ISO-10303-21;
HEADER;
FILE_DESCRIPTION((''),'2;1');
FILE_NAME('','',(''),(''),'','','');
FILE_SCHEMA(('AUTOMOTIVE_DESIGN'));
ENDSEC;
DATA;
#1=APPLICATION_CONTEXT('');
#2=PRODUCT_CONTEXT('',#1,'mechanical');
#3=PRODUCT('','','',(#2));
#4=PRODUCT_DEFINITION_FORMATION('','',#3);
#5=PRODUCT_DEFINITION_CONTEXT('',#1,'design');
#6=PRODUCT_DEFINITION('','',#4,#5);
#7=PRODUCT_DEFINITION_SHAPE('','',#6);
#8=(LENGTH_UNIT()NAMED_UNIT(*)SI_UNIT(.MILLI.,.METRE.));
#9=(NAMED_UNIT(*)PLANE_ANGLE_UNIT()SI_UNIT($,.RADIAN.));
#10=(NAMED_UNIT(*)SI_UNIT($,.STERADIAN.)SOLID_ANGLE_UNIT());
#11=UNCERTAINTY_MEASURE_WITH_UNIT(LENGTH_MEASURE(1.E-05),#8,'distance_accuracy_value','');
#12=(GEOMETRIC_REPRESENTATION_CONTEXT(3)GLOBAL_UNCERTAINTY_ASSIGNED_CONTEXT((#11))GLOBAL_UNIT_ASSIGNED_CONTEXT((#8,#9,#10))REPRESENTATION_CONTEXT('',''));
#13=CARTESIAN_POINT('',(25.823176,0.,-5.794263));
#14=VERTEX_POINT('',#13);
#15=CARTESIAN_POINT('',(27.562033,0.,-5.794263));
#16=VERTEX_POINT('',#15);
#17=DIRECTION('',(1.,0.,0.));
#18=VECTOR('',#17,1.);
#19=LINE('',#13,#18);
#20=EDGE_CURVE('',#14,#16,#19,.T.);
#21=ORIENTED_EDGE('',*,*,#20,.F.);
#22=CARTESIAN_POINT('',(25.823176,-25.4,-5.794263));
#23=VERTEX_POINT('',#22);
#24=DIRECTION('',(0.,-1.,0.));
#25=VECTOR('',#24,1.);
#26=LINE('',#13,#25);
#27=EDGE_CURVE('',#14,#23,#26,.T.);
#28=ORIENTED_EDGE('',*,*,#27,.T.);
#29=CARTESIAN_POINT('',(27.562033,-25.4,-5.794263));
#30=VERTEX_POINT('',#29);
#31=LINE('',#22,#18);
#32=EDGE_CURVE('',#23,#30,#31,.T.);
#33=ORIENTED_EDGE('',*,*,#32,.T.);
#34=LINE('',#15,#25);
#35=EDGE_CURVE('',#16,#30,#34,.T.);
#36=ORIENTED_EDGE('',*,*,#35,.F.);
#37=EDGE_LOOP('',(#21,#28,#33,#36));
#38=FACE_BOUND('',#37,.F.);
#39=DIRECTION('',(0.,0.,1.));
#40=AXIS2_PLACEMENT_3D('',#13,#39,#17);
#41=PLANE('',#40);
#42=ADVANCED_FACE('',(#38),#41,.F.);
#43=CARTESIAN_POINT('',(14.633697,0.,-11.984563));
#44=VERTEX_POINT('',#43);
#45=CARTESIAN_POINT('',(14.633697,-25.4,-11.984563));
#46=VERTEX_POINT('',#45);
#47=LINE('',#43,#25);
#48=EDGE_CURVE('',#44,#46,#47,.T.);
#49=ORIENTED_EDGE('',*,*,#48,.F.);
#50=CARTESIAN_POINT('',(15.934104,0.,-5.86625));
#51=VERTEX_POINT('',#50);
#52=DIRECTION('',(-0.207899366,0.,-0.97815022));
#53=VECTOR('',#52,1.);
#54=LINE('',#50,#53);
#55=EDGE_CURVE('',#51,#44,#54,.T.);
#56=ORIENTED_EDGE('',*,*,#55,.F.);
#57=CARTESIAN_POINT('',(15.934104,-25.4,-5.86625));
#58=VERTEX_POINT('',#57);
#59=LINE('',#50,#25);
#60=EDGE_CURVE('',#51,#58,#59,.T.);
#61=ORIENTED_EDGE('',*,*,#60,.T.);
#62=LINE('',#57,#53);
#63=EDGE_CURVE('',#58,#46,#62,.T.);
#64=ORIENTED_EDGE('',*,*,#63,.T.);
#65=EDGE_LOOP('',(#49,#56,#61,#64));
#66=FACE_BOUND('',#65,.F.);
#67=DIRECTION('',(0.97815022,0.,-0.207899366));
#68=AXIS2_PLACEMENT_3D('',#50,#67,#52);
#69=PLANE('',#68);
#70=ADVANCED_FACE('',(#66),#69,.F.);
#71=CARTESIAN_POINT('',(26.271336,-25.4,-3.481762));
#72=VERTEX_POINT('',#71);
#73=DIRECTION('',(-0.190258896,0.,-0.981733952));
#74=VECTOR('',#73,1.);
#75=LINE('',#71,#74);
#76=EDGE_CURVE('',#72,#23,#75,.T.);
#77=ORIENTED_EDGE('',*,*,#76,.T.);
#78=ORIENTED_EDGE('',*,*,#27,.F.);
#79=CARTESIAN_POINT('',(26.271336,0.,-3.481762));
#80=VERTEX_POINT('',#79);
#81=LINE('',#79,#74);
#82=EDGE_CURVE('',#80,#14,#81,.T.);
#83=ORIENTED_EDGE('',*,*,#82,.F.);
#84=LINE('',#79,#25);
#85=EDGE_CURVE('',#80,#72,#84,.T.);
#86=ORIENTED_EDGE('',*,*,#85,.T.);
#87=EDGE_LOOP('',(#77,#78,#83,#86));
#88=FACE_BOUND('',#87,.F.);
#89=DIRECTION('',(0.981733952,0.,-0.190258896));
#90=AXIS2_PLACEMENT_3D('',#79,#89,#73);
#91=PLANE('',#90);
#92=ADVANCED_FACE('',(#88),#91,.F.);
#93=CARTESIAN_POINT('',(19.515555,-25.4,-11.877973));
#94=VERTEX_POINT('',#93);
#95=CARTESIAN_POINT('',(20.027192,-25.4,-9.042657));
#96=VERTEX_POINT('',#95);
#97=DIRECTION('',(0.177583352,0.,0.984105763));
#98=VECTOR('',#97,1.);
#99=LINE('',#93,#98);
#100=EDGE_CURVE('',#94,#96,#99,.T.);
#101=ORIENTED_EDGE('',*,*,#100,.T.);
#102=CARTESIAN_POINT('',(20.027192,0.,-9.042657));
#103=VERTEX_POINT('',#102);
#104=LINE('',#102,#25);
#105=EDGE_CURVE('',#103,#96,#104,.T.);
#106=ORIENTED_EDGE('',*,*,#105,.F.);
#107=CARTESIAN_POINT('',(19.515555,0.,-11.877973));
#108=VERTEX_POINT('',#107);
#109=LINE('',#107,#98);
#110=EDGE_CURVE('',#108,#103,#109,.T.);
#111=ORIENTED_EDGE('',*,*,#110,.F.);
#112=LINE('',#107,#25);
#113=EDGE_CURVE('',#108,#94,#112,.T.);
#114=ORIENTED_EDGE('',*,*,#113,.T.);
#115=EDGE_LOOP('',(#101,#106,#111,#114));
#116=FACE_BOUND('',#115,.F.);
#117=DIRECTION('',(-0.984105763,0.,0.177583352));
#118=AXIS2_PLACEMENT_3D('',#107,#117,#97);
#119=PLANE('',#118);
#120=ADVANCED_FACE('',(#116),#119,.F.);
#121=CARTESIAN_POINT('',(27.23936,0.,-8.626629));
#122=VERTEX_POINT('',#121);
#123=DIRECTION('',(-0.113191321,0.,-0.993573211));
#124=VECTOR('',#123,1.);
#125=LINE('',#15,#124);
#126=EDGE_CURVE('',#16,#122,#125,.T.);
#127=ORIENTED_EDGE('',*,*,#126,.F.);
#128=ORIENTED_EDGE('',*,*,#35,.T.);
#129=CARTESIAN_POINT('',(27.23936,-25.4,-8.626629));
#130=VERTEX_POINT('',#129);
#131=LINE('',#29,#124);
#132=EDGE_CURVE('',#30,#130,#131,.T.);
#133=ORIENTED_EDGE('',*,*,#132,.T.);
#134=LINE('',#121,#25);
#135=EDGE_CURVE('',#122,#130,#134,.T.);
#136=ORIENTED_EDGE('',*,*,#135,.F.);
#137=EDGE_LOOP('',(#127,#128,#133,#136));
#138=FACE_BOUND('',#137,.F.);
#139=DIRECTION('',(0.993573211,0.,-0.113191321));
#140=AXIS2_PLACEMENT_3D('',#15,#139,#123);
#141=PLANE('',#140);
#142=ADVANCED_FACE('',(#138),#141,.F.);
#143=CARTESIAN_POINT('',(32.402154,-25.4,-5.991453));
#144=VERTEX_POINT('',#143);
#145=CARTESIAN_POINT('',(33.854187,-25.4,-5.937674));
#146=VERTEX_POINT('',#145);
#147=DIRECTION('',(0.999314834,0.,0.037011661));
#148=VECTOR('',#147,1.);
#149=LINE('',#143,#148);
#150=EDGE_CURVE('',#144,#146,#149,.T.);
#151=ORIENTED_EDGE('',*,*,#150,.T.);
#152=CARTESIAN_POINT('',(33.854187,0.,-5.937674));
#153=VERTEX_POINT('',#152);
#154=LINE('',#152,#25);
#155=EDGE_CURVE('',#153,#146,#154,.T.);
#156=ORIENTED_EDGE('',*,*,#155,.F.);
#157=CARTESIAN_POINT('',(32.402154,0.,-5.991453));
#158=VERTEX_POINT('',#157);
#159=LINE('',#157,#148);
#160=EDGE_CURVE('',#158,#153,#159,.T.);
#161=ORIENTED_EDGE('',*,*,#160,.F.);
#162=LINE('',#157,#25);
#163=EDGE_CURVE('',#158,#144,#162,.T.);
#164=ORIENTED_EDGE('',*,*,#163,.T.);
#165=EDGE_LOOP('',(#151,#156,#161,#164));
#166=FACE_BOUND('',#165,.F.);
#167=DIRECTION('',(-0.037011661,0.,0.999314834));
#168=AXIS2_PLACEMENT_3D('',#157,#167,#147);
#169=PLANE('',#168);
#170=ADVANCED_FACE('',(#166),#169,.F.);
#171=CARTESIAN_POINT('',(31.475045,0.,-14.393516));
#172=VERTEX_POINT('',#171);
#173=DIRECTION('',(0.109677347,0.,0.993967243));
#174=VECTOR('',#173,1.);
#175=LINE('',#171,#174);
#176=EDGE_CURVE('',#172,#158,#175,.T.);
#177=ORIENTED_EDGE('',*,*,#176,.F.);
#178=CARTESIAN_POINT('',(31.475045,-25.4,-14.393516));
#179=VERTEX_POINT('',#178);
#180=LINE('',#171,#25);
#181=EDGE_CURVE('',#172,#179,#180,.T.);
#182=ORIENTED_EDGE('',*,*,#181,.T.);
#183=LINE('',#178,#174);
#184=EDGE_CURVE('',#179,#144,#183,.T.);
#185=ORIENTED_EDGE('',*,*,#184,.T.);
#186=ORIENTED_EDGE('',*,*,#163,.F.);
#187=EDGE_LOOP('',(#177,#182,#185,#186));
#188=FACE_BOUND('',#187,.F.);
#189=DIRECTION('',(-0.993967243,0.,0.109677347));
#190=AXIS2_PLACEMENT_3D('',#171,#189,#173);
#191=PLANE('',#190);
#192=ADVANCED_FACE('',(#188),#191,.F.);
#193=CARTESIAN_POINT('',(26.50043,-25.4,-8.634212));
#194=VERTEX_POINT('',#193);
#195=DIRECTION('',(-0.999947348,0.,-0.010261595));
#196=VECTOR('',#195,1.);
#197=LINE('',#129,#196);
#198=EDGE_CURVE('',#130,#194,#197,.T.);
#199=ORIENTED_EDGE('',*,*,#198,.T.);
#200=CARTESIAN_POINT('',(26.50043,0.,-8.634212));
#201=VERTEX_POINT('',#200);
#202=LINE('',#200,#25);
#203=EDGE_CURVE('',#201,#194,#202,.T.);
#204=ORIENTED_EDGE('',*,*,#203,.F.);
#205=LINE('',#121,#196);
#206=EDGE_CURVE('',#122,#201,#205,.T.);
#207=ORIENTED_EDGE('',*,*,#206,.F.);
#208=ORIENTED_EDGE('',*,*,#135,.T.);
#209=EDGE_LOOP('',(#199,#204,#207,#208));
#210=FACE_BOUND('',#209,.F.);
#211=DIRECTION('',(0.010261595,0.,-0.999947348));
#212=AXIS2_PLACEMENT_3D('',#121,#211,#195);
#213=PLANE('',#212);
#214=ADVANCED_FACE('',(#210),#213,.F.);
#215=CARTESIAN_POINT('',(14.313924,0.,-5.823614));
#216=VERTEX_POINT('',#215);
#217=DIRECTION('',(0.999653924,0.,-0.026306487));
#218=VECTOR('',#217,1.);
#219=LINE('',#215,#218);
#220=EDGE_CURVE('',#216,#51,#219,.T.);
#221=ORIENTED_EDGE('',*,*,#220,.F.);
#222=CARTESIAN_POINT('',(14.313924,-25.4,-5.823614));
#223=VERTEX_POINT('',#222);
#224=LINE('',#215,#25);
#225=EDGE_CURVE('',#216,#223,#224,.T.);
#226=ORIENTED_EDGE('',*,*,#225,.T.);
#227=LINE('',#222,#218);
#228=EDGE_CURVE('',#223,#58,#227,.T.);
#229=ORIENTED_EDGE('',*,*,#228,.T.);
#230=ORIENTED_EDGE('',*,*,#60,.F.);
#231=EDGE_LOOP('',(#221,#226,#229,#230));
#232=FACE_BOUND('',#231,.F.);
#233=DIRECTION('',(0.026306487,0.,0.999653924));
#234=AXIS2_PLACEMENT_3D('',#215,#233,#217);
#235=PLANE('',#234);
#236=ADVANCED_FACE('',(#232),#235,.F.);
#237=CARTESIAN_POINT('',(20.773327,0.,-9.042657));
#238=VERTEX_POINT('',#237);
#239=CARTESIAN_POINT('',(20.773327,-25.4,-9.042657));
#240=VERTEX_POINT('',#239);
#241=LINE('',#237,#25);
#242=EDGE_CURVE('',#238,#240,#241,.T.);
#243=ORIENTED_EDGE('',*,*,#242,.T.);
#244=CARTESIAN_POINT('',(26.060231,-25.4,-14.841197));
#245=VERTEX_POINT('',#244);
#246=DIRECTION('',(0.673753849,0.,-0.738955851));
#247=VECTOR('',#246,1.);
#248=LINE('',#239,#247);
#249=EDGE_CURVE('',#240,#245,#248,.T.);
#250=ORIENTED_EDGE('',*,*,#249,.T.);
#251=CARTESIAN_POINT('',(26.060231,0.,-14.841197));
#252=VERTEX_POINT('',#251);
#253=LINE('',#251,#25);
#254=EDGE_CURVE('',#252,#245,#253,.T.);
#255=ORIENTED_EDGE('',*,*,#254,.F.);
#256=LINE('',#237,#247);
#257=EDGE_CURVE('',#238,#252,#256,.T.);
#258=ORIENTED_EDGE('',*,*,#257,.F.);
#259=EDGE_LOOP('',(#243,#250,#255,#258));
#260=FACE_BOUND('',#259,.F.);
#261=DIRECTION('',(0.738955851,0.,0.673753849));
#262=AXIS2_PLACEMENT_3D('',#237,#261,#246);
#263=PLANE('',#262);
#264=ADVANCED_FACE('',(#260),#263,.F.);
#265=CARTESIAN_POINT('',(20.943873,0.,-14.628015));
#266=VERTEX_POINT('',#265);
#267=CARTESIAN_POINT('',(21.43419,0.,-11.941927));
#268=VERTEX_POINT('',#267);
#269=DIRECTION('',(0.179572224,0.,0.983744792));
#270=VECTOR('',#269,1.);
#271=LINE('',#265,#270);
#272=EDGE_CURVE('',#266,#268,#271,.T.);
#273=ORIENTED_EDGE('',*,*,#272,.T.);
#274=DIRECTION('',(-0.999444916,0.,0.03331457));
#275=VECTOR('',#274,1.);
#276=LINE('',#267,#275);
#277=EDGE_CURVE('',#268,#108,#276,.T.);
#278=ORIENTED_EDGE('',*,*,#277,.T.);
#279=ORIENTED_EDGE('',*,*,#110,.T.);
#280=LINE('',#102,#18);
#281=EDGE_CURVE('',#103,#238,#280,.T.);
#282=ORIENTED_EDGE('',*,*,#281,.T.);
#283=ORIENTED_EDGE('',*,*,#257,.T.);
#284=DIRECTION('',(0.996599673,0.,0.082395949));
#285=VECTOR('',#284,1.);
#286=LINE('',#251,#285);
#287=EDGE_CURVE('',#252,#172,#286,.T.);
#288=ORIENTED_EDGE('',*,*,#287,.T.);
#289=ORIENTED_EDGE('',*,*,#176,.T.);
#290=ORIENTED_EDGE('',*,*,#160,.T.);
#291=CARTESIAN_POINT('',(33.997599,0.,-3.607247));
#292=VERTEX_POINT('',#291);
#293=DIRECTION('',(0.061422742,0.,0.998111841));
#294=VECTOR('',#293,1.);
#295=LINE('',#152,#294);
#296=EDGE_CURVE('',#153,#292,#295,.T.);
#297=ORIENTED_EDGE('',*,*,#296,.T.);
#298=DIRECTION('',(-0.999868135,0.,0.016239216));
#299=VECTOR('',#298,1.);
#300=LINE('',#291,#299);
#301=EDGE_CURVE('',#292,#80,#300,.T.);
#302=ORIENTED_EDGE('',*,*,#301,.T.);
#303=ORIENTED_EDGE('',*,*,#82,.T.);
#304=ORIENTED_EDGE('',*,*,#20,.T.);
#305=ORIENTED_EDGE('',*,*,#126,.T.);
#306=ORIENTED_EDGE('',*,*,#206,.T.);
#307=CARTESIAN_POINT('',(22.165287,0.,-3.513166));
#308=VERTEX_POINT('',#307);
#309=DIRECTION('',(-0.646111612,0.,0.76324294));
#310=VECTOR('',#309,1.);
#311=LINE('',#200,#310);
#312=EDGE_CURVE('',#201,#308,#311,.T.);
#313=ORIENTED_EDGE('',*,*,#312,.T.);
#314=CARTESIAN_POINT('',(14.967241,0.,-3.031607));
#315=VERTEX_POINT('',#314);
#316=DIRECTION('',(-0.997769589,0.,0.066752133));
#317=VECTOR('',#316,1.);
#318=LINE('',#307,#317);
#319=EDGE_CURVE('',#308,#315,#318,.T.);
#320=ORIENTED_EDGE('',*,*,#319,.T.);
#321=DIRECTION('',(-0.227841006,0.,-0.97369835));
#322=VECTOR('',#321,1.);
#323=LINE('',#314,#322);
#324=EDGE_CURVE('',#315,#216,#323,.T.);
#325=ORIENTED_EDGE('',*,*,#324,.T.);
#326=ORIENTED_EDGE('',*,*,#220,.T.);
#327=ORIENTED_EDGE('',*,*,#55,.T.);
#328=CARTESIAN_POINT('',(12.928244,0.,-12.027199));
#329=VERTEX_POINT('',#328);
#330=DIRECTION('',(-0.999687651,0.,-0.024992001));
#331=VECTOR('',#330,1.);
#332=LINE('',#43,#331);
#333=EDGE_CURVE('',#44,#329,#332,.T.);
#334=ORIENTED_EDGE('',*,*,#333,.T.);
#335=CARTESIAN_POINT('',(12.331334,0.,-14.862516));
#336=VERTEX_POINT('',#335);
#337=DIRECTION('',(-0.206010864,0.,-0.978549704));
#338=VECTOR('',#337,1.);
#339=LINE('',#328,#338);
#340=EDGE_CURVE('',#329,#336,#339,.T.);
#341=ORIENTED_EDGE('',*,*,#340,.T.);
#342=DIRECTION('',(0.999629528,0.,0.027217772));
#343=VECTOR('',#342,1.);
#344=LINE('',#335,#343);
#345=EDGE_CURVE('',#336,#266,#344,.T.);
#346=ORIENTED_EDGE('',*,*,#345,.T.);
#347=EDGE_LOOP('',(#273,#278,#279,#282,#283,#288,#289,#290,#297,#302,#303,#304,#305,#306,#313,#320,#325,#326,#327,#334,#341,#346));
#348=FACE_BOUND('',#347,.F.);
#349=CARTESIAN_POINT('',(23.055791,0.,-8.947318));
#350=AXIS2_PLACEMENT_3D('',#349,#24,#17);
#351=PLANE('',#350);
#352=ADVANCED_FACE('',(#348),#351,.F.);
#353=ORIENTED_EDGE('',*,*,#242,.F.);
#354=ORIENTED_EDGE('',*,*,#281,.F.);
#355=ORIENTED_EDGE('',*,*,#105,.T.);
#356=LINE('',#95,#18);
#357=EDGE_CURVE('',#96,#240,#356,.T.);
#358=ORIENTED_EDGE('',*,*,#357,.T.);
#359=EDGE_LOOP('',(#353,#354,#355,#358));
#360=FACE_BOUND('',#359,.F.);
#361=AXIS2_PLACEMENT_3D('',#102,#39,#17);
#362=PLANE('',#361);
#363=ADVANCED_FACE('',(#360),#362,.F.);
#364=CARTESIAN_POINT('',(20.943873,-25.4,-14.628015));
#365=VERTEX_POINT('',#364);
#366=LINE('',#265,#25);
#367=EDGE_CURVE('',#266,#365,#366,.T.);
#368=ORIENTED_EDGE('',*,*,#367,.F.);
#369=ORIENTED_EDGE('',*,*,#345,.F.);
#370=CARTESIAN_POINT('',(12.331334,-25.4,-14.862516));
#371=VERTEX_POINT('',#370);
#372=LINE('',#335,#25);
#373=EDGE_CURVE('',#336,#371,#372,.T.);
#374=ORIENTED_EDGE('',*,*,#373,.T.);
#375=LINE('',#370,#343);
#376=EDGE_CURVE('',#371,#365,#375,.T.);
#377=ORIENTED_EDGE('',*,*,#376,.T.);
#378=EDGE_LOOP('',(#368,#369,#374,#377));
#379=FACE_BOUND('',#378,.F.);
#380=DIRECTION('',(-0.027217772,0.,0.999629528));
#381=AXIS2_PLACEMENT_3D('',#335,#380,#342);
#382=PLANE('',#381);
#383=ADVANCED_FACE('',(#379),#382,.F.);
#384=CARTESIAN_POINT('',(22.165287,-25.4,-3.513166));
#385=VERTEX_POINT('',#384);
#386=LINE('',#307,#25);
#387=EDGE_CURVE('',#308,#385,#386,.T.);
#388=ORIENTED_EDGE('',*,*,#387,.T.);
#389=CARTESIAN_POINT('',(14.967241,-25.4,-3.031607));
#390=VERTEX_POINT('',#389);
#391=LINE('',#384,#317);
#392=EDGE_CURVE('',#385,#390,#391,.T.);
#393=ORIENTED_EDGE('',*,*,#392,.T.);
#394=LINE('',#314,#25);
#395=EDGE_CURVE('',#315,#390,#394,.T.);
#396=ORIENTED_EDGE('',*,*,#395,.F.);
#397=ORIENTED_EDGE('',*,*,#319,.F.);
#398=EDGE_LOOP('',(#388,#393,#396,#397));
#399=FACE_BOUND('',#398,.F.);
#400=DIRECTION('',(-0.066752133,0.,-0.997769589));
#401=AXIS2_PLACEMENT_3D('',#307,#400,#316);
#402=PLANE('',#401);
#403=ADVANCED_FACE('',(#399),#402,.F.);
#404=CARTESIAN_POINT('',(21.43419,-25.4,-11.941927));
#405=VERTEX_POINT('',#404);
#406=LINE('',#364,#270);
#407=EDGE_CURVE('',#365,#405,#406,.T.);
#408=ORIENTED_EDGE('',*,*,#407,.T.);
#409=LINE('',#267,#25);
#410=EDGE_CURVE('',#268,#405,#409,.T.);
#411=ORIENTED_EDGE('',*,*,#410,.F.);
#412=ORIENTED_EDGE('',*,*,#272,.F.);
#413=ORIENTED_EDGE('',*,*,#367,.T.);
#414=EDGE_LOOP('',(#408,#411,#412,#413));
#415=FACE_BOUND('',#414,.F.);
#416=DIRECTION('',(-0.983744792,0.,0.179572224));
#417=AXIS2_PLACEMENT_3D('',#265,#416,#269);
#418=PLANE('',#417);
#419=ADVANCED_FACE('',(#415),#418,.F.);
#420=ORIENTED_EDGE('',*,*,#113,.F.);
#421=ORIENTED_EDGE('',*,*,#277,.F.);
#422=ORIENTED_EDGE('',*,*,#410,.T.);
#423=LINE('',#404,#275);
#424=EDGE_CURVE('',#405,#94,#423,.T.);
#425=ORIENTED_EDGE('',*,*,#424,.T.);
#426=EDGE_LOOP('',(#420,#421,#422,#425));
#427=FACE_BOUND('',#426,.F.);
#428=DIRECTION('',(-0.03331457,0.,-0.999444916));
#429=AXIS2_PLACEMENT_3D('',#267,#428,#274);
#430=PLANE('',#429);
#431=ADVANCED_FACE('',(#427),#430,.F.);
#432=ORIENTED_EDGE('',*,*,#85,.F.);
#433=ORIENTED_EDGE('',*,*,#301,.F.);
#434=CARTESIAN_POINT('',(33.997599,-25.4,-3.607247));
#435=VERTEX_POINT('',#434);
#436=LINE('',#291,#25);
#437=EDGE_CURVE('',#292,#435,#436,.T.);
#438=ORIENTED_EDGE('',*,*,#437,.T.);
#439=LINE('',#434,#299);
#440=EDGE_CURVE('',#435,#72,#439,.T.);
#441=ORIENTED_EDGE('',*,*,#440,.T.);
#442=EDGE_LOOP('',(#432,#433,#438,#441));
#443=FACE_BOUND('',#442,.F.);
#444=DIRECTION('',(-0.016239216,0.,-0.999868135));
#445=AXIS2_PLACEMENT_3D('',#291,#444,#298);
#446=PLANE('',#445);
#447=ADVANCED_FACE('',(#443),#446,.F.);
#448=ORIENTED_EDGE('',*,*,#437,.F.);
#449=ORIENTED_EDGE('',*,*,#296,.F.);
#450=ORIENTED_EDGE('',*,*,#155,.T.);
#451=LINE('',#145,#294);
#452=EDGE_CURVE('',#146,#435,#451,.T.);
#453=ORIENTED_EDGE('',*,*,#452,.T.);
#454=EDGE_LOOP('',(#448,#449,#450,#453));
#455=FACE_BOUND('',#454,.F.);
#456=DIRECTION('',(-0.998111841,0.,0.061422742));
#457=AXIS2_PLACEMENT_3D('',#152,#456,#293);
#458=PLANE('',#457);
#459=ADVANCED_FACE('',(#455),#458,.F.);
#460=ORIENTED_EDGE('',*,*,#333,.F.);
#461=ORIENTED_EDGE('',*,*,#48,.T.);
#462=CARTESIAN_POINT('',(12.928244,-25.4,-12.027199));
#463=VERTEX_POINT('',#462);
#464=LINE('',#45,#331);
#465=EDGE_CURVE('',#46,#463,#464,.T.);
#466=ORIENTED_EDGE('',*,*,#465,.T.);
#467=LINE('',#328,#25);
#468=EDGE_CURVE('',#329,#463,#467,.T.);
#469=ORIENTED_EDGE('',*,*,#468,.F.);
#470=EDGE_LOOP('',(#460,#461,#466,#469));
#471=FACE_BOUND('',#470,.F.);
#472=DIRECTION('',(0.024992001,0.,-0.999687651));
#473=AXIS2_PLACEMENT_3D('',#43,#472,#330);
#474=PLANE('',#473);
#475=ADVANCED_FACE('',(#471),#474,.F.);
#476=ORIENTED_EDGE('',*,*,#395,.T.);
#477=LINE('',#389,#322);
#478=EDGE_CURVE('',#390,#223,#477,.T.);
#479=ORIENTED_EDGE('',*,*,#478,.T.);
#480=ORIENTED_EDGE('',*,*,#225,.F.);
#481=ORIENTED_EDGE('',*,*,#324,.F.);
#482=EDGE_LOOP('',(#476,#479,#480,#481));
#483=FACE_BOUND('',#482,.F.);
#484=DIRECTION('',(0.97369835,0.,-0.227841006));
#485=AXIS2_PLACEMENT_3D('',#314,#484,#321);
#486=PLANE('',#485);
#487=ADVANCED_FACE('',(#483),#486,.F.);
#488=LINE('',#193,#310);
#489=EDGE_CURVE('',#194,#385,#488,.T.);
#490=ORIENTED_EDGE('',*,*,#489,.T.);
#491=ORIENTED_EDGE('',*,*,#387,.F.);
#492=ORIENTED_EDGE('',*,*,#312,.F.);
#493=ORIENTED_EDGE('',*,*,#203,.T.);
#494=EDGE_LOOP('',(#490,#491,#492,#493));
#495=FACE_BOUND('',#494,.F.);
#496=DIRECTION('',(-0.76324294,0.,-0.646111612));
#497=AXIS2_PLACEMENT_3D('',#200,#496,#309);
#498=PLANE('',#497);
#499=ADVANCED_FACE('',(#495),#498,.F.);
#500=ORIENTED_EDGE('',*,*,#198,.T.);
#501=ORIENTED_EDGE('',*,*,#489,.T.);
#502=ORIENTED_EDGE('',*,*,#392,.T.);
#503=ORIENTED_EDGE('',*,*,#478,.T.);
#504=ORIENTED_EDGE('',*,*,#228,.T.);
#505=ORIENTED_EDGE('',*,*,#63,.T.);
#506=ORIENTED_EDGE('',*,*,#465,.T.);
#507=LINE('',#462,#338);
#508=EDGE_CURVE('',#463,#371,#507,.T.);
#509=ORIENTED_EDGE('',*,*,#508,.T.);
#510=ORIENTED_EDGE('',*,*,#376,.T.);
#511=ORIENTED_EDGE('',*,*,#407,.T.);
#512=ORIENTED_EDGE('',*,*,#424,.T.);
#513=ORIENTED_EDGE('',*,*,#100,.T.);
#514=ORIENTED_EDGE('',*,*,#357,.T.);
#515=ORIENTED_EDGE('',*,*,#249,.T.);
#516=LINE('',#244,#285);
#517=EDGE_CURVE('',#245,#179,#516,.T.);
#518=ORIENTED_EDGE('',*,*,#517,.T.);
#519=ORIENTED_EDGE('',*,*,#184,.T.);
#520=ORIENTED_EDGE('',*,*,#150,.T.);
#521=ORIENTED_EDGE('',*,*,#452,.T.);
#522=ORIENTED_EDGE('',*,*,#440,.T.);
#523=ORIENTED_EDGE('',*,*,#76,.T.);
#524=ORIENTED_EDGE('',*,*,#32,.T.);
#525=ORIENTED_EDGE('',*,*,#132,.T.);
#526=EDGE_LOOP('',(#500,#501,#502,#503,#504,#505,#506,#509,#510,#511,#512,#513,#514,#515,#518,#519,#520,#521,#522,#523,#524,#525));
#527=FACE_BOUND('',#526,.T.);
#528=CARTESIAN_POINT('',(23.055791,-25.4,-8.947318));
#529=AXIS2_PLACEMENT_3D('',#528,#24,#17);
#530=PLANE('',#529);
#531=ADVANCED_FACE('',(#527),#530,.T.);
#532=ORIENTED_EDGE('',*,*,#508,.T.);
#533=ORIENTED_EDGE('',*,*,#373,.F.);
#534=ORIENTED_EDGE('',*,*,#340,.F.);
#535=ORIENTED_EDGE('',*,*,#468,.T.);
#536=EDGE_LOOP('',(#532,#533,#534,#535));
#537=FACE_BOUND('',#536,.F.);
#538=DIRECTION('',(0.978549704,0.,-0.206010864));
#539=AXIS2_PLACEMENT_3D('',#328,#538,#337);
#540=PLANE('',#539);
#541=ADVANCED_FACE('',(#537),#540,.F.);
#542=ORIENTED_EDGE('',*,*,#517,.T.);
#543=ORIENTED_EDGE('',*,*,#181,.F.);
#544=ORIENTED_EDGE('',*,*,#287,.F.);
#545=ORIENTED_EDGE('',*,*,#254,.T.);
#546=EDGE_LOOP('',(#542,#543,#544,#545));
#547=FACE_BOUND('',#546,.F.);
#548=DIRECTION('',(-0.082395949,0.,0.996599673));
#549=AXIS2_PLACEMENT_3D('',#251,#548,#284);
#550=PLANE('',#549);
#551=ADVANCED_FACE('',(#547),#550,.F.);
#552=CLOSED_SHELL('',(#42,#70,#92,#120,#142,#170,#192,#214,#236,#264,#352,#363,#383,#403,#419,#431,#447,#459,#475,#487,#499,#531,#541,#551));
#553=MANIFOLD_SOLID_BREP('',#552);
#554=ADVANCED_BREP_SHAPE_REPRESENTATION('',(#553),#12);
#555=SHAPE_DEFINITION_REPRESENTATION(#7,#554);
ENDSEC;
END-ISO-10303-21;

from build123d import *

# Parameters (mm, degrees)
F1_DEPTH = 25.4


with BuildPart() as f1:
    # F0 (on Front) → F1 (new body)
    with BuildSketch(Plane.XZ):
        Polygon((22.165287, -3.513166), (14.967241, -3.031607), (14.313924, -5.823614), (15.934104, -5.86625), (14.633697, -11.984563), (12.928244, -12.027199), (12.331334, -14.862516), (20.943873, -14.628015), (21.43419, -11.941927), (19.515555, -11.877973), (20.027192, -9.042657), (20.773327, -9.042657), (26.060231, -14.841197), (31.475045, -14.393516), (32.402154, -5.991453), (33.854187, -5.937674), (33.997599, -3.607247), (26.271336, -3.481762), (25.823176, -5.794263), (27.562033, -5.794263), (27.23936, -8.626629), (26.50043, -8.634212), align=None)
    extrude(amount=F1_DEPTH)


solid = f1.part
